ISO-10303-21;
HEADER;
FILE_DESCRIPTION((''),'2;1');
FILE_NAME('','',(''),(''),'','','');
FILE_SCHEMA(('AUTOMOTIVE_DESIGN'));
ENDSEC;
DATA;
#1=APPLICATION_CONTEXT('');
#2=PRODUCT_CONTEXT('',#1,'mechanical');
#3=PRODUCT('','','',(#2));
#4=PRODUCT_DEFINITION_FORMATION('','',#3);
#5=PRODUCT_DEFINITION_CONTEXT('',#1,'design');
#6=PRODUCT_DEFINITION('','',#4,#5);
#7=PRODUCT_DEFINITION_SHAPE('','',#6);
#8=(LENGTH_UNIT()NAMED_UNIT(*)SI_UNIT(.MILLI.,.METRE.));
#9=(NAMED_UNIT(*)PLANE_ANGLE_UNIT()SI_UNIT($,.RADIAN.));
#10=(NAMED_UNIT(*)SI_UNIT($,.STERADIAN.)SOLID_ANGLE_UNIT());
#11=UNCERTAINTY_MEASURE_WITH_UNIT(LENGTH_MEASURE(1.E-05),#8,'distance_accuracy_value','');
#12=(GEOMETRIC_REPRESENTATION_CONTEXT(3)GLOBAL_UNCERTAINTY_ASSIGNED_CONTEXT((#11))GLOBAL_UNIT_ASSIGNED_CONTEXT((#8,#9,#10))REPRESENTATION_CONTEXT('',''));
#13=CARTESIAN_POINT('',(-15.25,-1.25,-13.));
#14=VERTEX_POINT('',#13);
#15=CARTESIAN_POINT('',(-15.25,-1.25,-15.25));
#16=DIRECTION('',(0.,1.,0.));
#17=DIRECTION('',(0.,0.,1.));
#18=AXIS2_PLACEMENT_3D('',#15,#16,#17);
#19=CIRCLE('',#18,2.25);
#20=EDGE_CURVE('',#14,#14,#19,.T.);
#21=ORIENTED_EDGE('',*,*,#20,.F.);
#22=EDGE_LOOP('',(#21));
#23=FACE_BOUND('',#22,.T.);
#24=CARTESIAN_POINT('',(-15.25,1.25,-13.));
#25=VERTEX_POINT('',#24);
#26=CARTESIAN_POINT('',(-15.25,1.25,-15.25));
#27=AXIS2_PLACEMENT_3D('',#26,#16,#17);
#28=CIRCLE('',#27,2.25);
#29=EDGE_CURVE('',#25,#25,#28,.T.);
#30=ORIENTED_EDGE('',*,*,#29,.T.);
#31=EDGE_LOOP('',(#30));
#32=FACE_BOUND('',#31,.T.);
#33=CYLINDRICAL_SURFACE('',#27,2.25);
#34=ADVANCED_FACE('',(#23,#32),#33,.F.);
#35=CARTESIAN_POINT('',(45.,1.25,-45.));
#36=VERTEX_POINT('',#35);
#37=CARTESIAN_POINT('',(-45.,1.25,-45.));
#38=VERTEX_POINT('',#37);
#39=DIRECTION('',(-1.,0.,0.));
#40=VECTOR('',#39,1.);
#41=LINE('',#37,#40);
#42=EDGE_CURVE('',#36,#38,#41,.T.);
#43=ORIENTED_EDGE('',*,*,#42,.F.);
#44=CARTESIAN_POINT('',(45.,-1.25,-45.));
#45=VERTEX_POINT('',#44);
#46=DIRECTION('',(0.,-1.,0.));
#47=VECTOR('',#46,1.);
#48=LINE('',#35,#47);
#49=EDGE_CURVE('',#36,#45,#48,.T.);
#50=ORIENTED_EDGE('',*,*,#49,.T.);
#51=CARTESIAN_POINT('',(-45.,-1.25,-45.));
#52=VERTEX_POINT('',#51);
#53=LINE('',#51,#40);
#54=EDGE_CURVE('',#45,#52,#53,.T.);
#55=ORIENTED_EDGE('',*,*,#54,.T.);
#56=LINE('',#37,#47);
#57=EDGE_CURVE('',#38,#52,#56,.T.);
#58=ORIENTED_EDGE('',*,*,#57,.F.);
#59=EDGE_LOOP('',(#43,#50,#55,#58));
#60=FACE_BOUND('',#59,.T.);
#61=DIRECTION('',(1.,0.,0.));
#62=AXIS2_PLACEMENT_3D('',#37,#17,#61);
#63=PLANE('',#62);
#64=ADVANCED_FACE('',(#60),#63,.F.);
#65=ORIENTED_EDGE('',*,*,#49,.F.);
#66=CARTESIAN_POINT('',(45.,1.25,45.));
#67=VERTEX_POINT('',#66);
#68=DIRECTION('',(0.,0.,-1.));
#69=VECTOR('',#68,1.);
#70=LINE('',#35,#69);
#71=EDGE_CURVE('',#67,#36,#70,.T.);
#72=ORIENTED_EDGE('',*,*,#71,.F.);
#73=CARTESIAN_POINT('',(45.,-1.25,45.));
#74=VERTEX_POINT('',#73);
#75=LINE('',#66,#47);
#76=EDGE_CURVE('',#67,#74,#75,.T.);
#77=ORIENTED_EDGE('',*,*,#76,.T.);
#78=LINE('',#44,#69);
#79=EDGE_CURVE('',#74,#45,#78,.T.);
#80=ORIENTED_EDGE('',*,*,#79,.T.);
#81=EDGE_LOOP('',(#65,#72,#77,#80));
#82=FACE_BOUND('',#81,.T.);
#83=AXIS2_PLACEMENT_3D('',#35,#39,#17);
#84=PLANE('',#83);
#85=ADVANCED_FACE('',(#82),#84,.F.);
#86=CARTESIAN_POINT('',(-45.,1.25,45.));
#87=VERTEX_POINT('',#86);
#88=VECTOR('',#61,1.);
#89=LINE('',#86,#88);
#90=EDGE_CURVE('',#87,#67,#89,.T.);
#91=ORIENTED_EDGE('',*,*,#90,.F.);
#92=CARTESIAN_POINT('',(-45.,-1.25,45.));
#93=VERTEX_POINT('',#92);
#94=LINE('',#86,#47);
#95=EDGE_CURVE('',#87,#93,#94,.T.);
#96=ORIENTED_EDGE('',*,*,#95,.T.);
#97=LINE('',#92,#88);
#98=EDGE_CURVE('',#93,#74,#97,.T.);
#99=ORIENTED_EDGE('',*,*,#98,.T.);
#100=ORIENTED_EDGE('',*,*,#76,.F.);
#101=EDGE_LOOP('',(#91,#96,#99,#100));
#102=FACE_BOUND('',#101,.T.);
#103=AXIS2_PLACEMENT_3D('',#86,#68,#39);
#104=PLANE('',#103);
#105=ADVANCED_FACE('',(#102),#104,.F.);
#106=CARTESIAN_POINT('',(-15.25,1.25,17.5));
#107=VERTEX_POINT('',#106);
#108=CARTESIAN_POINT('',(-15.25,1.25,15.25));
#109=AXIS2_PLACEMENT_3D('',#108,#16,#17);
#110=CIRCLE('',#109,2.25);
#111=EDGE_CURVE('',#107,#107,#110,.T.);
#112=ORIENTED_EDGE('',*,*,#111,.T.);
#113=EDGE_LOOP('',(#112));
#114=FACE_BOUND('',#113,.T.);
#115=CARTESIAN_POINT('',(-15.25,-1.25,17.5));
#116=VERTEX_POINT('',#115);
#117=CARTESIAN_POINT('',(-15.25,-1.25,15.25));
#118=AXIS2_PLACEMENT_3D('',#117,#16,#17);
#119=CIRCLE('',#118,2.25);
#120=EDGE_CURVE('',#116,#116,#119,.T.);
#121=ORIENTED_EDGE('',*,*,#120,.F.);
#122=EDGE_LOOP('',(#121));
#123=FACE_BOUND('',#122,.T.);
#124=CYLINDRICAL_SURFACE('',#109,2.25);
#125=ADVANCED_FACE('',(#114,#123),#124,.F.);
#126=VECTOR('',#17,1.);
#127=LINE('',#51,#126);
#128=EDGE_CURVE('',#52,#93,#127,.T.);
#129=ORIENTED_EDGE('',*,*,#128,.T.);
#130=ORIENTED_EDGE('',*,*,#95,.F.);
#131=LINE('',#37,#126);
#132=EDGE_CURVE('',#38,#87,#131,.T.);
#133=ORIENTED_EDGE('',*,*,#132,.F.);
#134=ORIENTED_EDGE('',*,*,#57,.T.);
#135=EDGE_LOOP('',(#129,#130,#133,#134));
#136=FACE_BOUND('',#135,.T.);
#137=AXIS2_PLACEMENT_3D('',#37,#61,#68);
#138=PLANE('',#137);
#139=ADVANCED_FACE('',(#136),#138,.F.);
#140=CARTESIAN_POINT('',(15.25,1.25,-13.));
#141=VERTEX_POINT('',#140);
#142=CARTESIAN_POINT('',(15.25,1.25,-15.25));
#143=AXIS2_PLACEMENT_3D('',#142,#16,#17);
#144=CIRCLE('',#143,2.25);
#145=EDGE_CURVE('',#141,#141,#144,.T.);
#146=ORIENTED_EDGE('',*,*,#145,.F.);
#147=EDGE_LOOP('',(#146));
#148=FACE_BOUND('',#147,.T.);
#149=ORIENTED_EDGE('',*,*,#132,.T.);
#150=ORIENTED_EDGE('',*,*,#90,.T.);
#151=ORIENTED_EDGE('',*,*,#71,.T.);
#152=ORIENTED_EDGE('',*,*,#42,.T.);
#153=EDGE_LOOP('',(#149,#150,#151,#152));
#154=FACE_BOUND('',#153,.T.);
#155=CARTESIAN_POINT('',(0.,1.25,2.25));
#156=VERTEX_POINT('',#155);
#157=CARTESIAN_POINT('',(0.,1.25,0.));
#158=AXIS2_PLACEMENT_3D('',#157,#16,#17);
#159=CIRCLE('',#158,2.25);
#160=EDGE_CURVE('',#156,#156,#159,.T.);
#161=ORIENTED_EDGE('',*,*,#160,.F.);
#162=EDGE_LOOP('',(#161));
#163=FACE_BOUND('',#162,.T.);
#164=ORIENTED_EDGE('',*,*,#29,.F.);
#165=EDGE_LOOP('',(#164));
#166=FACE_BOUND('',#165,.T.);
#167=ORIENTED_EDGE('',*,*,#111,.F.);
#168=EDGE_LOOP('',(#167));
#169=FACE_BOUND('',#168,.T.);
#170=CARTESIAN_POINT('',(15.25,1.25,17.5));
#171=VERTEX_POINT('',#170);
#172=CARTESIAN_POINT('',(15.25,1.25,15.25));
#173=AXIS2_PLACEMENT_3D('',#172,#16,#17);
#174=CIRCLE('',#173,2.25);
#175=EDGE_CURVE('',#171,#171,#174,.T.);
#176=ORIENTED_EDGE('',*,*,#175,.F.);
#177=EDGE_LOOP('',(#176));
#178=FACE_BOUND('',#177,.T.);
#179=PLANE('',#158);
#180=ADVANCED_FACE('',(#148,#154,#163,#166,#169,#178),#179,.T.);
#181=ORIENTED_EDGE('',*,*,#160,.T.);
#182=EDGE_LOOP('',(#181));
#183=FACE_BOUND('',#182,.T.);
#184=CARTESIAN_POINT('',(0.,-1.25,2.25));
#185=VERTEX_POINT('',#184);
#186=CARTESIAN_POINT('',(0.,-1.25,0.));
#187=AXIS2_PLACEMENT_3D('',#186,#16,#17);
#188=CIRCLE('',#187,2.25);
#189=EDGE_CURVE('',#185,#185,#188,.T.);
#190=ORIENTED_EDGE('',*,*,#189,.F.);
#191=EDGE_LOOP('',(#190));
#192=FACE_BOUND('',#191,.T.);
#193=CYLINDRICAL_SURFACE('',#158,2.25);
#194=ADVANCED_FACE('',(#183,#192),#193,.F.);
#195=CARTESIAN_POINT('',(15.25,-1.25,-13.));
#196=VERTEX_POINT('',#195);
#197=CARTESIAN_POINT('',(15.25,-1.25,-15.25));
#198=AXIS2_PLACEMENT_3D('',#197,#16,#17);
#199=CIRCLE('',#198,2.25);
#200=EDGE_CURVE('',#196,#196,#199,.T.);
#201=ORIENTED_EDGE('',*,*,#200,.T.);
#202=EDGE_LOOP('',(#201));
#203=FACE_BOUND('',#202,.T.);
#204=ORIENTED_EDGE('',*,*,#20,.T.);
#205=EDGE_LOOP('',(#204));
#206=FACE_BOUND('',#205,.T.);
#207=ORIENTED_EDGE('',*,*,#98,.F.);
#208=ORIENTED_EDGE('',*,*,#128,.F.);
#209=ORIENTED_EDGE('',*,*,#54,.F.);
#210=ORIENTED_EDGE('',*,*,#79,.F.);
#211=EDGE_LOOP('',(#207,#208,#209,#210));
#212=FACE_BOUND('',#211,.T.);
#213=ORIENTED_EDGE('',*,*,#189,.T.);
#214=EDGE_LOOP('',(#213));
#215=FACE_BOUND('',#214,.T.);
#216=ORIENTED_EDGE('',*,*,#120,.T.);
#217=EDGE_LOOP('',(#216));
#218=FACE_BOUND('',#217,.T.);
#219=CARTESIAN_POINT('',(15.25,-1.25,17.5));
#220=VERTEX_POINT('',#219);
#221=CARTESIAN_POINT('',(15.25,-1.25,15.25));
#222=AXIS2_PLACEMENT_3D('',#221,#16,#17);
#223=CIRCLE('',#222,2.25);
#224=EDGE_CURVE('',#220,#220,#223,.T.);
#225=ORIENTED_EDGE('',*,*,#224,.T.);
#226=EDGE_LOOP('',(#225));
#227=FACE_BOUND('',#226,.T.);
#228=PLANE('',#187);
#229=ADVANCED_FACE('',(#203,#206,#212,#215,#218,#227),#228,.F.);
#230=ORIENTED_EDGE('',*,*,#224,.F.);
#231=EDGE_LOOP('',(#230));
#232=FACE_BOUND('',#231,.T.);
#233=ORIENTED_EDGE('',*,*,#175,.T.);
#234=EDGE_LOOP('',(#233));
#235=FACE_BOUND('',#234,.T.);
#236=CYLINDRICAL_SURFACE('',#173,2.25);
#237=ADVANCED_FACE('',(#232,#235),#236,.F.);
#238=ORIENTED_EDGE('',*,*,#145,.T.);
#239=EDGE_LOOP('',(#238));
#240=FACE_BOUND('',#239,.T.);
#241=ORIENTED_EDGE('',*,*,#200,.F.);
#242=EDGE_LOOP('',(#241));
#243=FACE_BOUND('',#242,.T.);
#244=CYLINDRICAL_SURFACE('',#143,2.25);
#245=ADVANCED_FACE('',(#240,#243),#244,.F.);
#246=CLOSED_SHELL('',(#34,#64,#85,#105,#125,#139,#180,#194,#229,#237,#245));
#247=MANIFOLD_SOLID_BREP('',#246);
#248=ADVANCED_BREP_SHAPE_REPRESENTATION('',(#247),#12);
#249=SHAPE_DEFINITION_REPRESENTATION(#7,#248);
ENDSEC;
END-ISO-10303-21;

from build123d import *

# Parameters (mm, degrees)
SKETCH1_W                = 90
SKETCH1_H                = 90
BOSS_EXTRUDE1_DEPTH      = 1.25
M4_CLEARANCE_HOLE1_D     = 4.5
M4_CLEARANCE_HOLE1_DEPTH = 5.2
M4_CLEARANCE_HOLE1_TIP   = 1.351936393


with BuildPart() as part:
    # Sketch1 → Boss-Extrude1 (new, symmetric)
    with BuildSketch(Plane(origin=(0, 0, 0), x_dir=(1, 0, 0), z_dir=(0, 1, 0))):
        Rectangle(SKETCH1_W, SKETCH1_H)
    extrude(amount=BOSS_EXTRUDE1_DEPTH, both=True)

    # M4 Clearance Hole1
    with Locations(Plane(origin=(0, 1.25, 0), x_dir=(1, 0, 0), z_dir=(0, 1, 0))):
        with Locations((0, 0), (15.25, 15.25), (-15.25, -15.25), (-15.25, 15.25), (15.25, -15.25)):
            Hole(M4_CLEARANCE_HOLE1_D / 2, depth=M4_CLEARANCE_HOLE1_DEPTH)
            with Locations((0, 0, -(M4_CLEARANCE_HOLE1_DEPTH + M4_CLEARANCE_HOLE1_TIP / 2))):  # 118° drill point
                Cone(0, M4_CLEARANCE_HOLE1_D / 2, M4_CLEARANCE_HOLE1_TIP, mode=Mode.SUBTRACT)


solid = part.part
